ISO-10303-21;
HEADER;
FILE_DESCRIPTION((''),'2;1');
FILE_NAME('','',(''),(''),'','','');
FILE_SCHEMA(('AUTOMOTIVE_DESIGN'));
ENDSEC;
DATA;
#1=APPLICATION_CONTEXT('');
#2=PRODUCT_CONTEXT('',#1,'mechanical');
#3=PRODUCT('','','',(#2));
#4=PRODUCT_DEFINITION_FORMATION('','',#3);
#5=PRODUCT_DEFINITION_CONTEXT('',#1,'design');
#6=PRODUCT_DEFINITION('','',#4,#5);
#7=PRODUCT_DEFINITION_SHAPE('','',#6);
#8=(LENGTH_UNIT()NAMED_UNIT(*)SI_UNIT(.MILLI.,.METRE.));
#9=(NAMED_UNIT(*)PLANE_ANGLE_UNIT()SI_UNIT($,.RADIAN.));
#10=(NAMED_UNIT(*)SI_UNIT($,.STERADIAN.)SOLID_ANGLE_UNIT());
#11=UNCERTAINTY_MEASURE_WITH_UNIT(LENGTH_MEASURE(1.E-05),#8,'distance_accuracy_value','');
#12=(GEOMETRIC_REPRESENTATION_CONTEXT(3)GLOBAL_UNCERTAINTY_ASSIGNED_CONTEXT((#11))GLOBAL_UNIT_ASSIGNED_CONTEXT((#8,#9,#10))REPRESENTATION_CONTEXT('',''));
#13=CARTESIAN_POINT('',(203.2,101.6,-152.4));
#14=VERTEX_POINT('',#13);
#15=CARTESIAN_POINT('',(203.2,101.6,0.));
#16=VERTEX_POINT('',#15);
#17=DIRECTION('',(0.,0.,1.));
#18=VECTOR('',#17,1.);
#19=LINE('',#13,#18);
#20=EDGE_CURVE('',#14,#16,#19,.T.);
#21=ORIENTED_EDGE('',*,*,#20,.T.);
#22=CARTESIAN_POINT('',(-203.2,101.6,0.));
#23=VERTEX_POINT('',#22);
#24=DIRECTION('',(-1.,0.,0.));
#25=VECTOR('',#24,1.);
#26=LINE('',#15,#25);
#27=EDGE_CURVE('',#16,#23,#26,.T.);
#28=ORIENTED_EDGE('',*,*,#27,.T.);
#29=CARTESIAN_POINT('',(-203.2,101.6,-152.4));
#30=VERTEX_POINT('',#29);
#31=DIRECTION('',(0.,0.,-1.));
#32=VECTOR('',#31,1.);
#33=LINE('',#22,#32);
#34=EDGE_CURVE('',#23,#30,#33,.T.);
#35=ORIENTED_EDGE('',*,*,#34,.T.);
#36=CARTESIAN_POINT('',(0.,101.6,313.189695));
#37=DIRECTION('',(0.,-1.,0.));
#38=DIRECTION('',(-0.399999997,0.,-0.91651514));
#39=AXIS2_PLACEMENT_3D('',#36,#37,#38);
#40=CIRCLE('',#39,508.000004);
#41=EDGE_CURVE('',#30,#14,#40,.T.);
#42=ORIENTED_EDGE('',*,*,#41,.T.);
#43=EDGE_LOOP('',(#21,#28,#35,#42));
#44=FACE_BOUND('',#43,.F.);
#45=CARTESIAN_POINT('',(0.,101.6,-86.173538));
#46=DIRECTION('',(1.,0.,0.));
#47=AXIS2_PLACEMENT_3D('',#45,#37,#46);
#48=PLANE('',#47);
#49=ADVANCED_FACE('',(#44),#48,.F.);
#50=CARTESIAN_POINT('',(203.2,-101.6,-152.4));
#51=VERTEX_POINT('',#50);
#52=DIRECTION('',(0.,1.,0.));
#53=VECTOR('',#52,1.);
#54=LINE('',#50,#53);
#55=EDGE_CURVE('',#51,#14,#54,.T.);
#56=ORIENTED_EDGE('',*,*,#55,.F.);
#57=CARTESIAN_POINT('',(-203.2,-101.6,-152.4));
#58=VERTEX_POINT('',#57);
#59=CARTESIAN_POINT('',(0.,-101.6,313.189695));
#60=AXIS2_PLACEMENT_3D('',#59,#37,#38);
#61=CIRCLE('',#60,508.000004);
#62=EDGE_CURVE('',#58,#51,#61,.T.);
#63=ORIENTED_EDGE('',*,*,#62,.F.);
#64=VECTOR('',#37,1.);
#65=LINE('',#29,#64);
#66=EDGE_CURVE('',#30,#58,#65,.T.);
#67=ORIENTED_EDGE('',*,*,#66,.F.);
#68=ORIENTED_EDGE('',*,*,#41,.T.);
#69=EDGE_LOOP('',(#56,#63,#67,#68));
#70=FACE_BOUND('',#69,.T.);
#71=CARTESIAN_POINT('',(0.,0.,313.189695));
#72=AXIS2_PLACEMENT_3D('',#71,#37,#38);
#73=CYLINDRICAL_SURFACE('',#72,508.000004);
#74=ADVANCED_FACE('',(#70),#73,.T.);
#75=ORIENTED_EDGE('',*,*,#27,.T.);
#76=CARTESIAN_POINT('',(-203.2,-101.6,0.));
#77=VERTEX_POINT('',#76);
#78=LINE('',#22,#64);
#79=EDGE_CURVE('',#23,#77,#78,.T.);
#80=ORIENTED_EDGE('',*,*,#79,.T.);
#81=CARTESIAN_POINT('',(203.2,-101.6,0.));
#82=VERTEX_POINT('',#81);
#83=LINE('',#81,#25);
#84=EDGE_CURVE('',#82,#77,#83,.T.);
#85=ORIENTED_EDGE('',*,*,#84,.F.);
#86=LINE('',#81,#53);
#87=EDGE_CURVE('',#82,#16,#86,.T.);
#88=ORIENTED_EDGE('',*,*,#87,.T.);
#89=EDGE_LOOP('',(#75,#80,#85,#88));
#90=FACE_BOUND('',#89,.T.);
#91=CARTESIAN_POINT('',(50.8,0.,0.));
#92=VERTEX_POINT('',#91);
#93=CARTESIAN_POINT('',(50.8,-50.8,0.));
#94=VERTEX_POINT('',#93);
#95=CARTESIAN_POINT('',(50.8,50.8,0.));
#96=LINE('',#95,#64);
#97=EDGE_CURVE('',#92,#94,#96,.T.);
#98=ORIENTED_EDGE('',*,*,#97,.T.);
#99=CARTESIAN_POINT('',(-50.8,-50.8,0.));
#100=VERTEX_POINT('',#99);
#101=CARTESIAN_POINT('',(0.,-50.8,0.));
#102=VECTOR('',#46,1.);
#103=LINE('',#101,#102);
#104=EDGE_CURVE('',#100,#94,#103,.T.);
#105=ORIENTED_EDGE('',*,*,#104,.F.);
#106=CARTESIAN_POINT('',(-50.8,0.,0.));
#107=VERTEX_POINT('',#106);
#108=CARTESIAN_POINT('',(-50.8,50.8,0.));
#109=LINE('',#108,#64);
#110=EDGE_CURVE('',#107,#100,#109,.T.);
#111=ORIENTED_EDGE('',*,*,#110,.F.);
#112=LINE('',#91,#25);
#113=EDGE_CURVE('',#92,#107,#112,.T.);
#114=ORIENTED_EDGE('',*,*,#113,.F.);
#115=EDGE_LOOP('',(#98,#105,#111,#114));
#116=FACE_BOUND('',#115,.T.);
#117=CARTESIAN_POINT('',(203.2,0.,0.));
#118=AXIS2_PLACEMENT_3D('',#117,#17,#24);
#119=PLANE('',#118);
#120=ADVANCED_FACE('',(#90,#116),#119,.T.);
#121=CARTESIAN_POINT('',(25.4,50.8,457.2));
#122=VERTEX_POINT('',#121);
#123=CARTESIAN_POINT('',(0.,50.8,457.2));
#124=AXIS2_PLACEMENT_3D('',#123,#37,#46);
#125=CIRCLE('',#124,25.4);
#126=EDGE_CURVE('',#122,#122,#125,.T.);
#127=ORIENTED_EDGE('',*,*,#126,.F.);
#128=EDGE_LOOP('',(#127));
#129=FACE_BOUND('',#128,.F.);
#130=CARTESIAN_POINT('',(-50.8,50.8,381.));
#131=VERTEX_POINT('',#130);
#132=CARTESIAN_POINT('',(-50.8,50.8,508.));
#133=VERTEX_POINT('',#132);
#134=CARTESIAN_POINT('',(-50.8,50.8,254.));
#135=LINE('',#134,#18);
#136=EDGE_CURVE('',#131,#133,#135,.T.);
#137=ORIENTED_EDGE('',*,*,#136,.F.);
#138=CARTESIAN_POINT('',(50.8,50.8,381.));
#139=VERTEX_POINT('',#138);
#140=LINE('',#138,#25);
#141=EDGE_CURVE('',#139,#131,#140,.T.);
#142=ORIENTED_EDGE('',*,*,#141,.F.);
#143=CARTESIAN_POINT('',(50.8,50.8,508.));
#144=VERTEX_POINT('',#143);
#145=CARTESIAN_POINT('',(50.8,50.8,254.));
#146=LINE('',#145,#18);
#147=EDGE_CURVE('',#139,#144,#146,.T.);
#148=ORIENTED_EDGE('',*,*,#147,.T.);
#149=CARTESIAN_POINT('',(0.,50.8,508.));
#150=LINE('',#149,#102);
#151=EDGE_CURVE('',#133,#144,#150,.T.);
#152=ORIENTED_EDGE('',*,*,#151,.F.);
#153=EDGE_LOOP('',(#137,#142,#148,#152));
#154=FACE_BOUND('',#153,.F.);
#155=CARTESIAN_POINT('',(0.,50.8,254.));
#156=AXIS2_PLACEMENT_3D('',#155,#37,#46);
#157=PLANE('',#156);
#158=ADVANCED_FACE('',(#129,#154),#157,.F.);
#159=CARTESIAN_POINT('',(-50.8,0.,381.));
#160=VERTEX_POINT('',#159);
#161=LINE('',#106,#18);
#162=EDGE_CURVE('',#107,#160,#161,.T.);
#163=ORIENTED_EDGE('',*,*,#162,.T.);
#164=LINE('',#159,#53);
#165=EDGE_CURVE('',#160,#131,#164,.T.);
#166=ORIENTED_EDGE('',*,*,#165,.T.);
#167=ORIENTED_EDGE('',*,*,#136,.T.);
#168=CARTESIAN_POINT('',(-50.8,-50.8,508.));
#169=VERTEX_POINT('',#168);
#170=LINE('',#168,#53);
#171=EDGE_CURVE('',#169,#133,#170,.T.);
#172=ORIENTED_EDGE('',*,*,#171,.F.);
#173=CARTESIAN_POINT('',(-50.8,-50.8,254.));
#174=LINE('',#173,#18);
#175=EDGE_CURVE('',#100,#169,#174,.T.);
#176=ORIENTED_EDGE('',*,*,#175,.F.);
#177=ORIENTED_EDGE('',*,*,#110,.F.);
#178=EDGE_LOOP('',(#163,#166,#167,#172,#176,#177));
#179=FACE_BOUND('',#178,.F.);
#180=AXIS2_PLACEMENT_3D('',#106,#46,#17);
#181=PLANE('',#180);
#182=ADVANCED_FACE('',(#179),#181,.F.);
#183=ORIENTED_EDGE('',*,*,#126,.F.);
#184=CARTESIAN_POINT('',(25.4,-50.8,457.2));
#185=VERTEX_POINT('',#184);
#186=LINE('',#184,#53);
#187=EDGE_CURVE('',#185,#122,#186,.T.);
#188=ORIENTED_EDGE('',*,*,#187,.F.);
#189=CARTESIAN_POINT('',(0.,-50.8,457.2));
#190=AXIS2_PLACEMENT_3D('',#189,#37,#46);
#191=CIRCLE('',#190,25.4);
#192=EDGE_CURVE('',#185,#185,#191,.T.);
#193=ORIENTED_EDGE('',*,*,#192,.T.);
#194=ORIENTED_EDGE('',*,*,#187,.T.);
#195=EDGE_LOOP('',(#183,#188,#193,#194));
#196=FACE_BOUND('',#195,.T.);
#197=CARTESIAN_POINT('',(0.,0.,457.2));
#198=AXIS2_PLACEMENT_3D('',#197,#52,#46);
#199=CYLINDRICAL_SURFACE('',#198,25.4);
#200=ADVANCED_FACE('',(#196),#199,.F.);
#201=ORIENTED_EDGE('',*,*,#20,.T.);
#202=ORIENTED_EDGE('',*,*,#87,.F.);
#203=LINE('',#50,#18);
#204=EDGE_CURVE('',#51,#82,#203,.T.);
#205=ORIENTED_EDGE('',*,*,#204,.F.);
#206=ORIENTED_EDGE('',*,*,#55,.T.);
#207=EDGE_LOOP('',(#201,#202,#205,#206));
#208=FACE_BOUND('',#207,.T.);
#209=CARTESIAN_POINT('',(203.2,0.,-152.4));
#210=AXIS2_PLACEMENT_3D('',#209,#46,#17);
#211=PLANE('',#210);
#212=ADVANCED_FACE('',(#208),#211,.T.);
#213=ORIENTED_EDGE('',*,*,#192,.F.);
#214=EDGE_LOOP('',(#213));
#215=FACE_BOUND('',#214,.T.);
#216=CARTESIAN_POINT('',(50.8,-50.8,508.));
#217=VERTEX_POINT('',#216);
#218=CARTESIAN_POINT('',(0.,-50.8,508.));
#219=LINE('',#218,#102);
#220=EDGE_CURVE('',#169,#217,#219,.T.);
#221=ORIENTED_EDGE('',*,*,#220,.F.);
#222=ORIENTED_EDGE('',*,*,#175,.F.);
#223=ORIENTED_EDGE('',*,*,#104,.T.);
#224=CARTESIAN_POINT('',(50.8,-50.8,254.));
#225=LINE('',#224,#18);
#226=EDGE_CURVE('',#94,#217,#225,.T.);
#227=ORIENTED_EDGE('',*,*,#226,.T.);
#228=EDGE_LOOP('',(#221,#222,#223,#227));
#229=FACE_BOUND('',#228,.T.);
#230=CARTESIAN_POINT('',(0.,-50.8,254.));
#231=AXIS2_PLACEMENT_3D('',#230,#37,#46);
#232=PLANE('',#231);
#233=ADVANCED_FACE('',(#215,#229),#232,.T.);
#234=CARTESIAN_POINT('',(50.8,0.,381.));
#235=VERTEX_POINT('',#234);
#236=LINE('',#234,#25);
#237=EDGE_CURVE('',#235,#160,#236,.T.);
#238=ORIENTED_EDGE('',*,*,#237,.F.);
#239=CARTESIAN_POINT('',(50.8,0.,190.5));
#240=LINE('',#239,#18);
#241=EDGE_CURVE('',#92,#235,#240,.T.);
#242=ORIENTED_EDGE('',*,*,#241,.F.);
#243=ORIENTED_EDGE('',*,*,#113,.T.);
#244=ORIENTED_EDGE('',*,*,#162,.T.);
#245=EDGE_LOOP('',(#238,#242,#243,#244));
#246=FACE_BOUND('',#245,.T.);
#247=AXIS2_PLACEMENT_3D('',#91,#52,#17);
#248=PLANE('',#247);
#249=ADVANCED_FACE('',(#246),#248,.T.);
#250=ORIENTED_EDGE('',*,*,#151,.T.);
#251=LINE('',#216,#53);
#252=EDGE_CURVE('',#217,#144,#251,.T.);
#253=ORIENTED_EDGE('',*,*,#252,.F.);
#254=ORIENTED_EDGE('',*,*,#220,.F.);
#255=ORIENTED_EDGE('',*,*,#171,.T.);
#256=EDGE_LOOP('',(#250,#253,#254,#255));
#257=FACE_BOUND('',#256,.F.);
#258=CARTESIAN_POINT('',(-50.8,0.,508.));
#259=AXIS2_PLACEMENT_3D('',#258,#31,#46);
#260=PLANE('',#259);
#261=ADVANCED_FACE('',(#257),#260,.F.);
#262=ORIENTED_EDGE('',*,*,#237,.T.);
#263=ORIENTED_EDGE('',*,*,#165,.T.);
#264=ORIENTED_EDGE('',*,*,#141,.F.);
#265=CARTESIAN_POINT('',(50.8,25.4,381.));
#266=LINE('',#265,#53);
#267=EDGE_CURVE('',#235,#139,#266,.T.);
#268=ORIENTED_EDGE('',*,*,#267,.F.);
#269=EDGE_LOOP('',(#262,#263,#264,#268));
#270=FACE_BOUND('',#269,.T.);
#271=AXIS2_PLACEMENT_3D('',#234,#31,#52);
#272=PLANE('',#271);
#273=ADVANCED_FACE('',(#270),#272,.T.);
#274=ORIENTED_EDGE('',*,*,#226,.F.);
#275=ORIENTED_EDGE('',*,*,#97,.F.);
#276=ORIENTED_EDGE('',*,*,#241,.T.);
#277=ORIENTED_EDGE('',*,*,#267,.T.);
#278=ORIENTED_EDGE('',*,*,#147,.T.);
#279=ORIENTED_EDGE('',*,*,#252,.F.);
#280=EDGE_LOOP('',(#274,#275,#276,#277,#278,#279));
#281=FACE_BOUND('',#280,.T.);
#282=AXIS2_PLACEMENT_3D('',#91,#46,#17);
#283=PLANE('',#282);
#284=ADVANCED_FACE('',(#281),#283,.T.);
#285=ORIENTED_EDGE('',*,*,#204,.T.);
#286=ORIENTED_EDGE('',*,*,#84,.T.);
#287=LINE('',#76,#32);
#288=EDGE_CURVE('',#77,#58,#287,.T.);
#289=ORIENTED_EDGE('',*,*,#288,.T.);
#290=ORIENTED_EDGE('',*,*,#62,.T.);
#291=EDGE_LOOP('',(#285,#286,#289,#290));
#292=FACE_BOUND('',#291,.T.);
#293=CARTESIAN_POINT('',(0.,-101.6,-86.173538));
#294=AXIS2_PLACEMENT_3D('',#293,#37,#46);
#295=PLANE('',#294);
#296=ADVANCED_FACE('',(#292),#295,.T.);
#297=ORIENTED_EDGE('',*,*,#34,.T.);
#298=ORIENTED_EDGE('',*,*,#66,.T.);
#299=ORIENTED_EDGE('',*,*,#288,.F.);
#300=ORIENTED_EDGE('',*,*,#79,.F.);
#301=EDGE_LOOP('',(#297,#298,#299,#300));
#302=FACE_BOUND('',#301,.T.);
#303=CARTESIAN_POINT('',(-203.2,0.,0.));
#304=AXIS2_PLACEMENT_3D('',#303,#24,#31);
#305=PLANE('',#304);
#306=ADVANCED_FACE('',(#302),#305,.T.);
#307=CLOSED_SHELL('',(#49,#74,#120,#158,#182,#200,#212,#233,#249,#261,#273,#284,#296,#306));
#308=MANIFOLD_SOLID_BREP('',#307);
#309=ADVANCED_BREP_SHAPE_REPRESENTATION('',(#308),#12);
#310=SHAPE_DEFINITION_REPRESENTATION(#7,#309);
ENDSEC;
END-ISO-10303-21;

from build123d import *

# Parameters (mm, degrees)
F0_W     = 101.6
F0_H     = 508
F0_R     = 25.4
F1_DEPTH = 50.8
F3_DEPTH = 101.6
F4_W     = 50.8
F4_H     = 381
F5_DEPTH = 254.001


with BuildPart() as f1:
    # F0 (on Front) → F1 (new body, symmetric)
    with BuildSketch(Plane.XZ):
        with Locations((0, 254)):
            Rectangle(F0_W, F0_H)
        with Locations((0, 457.2)):
            Circle(F0_R, mode=Mode.SUBTRACT)
    extrude(amount=F1_DEPTH, both=True)

    # F2 (on Front) → F3 (join, symmetric)
    with BuildSketch(Plane.XZ):
        with BuildLine():
            Line((203.2, 0), (-203.2, 0))
            Line((-203.2, 0), (-203.2, -152.4))
            ThreePointArc((-203.2, -152.4), (0, -194.810309), (203.2, -152.4))
            Line((203.2, -152.4), (203.2, 0))
        make_face()
    extrude(amount=F3_DEPTH, both=True)

    # F4 (on face) → F5 (cut, through all)
    with BuildSketch(Plane.YZ.offset(50.8)):
        with Locations((25.4, 190.5)):
            Rectangle(F4_W, F4_H)
    extrude(amount=-F5_DEPTH, mode=Mode.SUBTRACT)


solid = f1.part
